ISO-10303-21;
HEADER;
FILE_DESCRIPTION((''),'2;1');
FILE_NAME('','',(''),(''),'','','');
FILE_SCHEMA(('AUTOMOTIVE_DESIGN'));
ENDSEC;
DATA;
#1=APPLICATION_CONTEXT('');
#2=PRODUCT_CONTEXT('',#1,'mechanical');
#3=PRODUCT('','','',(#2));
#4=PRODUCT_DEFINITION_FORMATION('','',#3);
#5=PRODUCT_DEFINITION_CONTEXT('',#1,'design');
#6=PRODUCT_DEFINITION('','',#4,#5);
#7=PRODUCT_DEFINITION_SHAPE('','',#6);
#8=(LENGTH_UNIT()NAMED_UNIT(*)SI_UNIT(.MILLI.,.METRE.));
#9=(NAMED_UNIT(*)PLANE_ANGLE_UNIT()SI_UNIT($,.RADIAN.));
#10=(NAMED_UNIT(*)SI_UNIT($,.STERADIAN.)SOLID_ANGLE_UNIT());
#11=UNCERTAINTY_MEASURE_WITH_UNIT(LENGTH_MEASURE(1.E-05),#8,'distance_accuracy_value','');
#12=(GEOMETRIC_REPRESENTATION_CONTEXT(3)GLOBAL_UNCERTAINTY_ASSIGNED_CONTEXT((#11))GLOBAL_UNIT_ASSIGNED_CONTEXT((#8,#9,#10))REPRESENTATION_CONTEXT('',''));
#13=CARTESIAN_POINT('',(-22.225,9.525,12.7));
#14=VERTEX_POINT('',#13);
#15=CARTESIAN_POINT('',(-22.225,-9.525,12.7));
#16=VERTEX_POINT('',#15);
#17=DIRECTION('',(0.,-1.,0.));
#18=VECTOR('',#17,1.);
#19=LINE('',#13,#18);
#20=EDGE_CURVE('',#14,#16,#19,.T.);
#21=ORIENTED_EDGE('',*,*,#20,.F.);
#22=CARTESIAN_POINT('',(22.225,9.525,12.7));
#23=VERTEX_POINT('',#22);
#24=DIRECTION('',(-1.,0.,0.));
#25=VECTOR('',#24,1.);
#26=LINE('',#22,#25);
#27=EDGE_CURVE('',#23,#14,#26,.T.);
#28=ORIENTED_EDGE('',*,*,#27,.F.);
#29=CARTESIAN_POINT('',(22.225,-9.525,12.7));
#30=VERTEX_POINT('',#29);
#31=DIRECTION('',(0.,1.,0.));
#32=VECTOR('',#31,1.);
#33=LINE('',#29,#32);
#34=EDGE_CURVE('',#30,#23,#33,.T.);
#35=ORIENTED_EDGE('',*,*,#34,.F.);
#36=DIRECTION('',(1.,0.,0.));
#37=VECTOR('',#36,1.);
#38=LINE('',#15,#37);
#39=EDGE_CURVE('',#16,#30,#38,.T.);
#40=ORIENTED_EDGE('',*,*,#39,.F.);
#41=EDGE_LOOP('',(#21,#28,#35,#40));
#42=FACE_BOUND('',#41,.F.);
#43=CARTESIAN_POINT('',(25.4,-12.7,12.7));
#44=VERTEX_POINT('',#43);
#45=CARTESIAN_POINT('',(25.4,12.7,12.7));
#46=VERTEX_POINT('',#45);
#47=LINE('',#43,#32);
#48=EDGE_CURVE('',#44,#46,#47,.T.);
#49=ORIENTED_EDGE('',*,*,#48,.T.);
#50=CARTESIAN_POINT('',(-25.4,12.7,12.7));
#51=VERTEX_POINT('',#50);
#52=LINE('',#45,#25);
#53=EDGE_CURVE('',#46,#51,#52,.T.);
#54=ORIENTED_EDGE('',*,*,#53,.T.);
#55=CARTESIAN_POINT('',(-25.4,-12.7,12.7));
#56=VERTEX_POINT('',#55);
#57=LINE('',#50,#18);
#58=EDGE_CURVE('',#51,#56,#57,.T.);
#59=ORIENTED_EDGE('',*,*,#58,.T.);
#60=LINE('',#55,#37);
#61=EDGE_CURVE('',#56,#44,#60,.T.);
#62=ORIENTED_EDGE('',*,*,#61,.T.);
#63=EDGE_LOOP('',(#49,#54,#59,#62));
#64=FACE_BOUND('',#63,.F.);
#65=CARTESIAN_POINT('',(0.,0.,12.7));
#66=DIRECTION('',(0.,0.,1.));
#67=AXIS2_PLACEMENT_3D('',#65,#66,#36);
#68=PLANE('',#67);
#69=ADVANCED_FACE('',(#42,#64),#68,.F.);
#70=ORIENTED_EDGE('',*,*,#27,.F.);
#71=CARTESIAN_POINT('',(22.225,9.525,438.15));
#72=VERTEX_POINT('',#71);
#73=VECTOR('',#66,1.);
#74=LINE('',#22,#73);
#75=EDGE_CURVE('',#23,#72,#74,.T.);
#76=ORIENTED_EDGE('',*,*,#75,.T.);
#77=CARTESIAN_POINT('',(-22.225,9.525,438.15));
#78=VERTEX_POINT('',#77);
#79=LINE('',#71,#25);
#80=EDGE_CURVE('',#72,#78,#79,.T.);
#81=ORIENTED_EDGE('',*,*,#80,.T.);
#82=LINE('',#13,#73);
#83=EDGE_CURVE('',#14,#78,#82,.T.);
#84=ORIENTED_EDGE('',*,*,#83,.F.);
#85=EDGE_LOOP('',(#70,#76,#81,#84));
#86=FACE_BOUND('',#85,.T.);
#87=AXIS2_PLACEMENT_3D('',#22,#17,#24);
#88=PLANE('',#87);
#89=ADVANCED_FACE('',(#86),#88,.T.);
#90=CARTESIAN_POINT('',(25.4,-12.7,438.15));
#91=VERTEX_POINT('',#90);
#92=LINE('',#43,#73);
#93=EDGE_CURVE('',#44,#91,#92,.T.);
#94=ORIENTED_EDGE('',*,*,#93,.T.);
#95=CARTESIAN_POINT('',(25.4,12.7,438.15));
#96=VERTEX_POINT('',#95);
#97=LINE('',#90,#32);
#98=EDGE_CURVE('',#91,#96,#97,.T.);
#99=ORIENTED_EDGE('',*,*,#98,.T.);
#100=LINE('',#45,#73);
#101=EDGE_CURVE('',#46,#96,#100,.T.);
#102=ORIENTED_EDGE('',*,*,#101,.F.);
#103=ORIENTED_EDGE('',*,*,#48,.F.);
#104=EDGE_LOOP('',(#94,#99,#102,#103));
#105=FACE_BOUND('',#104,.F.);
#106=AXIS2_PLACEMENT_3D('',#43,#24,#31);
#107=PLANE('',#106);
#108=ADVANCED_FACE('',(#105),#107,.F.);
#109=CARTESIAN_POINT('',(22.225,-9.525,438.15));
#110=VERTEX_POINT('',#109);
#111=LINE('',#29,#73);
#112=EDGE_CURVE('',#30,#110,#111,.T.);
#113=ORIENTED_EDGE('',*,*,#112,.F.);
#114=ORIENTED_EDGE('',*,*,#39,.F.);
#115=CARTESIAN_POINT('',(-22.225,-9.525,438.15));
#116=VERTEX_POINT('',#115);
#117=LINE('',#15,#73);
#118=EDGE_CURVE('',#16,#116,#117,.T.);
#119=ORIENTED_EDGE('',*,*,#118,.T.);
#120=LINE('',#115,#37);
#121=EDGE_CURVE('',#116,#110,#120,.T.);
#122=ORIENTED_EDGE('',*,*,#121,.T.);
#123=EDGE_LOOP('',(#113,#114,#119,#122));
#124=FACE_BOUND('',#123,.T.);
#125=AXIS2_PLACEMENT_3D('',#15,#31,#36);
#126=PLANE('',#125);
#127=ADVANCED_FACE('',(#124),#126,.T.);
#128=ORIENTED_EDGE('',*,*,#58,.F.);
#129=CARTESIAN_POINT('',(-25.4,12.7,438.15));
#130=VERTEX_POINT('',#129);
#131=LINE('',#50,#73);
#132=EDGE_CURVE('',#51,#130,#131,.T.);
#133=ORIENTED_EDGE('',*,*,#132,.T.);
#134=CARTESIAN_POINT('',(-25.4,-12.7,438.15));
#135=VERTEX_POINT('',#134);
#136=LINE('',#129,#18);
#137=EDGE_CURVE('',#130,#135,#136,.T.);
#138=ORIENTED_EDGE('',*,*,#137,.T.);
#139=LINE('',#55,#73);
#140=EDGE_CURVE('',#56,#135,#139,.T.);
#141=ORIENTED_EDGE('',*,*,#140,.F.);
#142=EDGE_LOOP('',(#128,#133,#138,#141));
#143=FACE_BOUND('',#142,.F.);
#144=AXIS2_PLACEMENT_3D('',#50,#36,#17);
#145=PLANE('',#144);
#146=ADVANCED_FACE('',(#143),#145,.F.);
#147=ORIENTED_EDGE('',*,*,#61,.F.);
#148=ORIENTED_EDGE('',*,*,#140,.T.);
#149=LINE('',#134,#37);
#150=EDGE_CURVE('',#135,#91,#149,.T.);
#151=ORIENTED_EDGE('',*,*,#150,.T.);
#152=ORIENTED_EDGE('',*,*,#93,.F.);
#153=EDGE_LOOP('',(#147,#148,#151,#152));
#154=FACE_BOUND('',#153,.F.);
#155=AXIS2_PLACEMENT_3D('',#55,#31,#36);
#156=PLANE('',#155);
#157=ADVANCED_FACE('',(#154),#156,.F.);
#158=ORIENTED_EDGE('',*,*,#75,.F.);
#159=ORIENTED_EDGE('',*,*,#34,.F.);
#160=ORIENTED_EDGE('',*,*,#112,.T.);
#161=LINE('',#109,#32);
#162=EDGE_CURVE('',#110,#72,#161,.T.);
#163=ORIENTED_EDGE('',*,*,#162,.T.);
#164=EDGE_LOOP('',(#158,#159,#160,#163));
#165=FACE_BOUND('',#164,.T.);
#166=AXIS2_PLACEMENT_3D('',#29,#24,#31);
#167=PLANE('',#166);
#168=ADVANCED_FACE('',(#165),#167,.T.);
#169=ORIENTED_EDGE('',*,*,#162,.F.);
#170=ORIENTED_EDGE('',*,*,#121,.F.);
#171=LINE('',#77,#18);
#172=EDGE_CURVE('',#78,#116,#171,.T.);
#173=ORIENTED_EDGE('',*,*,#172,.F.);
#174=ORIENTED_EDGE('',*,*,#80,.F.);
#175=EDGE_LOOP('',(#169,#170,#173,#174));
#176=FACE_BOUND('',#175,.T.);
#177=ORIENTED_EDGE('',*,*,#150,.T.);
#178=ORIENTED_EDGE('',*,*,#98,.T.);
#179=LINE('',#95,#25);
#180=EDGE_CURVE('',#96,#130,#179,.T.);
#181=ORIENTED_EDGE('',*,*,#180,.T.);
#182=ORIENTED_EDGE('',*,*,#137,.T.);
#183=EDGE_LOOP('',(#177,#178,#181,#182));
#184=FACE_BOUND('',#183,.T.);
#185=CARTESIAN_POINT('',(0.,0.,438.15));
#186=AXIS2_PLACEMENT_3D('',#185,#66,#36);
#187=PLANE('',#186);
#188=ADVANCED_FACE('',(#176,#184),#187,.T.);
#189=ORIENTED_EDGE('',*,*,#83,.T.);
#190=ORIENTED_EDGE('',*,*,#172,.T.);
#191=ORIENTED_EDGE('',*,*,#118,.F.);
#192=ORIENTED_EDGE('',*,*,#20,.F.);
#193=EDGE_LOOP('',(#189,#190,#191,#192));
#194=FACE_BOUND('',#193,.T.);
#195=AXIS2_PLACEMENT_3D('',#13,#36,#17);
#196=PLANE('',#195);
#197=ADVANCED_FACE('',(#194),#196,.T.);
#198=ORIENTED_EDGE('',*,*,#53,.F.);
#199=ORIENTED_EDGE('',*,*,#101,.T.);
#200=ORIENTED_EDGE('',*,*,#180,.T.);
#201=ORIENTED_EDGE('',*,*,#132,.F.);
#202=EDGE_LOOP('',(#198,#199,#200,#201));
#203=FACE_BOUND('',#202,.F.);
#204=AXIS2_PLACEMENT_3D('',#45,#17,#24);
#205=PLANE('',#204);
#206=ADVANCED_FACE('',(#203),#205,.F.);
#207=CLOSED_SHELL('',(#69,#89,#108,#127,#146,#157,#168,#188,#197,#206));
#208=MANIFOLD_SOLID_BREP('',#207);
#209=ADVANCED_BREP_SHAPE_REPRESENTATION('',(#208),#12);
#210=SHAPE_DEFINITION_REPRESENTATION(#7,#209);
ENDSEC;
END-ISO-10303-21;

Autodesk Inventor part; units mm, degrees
ref_plane "Start Plane" through (0, 0, 12.7) normal (0, 0, 1) x (1, 0, 0)
ref_plane "End Plane" through (0, 0, 438.15) normal (0, 0, 1) x (1, 0, 0)
sketch "Sketch" plane through (0, 0, 0) normal (0, 0, 1) x (1, 0, 0)
  line L0 (-25.4, -12.7) -> (25.4, -12.7)
  line L1 (25.4, -12.7) -> (25.4, 12.7)
  line L2 (25.4, 12.7) -> (-25.4, 12.7)
  line L3 (-25.4, 12.7) -> (-25.4, -12.7)
  line L4 (-25.4, -12.7) -> (25.4, 12.7) construction
  line L5 (25.4, -12.7) -> (-25.4, 12.7) construction
  line L6 (-22.225, -9.525) -> (22.225, -9.525)
  line L7 (22.225, -9.525) -> (22.225, 9.525)
  line L8 (22.225, 9.525) -> (-22.225, 9.525)
  line L9 (-22.225, 9.525) -> (-22.225, -9.525)
  line L10 (-22.225, -9.525) -> (22.225, 9.525) construction
  line L11 (22.225, -9.525) -> (-22.225, 9.525) construction
  point P0 (0, 0)
  point P1 (0, 0)
  dimension "d0" = 50.8
  dimension "d1" = 25.4
  dimension "d2" = 3.175
  dimension "d3" = 3.175
extrude "Body" add sketch "Sketch" along normal up to surface (425.45 mm away) from surface at 12.7
sketch "Sketch4" plane through (0, 0, 0) normal (0, 0, 1) x (1, 0, 0)
  line L0 (0, 0) -> (10, 0)
ref_plane "Work Plane4" through (0, 0, 0) normal (0, -1, 0) x (1, 0, 0)
sketch "Sketch5" plane through (0, 0, 0) normal (0, -1, 0) x (1, 0, 0)
  line L0 (-2, 12.7) -> (12, 12.7)
  line L1 (-2, 438.15) -> (12, 438.15)
  dimension "d11" = 425.45
ref_plane "Work Plane5" through (25.4, 419.1, 12.7) normal (0, 0, -1) x (-1, 0, 0)
split "Split1" plane through (25.4, 419.1, 12.7) removes the side toward (0, 0, -1)
ref_plane "Work Plane6" through (25.4, -203.2, 438.15) normal (0, 0, 1) x (1, 0, 0)
split "Split2" plane through (25.4, -203.2, 438.15) removes the side toward (0, 0, 1)
equation "\"G_OFFSET_START\" = -12.7"
equation "\"G_OFFSET_END\" = -12.7"
equation "\"d6\" = -G_OFFSET_START"
equation "\"d7\" = length + G_OFFSET_END"
equation "\"G_L\" = d11"
equation "\"length\" = 450.85"
properties part number "2x1inTubing"
